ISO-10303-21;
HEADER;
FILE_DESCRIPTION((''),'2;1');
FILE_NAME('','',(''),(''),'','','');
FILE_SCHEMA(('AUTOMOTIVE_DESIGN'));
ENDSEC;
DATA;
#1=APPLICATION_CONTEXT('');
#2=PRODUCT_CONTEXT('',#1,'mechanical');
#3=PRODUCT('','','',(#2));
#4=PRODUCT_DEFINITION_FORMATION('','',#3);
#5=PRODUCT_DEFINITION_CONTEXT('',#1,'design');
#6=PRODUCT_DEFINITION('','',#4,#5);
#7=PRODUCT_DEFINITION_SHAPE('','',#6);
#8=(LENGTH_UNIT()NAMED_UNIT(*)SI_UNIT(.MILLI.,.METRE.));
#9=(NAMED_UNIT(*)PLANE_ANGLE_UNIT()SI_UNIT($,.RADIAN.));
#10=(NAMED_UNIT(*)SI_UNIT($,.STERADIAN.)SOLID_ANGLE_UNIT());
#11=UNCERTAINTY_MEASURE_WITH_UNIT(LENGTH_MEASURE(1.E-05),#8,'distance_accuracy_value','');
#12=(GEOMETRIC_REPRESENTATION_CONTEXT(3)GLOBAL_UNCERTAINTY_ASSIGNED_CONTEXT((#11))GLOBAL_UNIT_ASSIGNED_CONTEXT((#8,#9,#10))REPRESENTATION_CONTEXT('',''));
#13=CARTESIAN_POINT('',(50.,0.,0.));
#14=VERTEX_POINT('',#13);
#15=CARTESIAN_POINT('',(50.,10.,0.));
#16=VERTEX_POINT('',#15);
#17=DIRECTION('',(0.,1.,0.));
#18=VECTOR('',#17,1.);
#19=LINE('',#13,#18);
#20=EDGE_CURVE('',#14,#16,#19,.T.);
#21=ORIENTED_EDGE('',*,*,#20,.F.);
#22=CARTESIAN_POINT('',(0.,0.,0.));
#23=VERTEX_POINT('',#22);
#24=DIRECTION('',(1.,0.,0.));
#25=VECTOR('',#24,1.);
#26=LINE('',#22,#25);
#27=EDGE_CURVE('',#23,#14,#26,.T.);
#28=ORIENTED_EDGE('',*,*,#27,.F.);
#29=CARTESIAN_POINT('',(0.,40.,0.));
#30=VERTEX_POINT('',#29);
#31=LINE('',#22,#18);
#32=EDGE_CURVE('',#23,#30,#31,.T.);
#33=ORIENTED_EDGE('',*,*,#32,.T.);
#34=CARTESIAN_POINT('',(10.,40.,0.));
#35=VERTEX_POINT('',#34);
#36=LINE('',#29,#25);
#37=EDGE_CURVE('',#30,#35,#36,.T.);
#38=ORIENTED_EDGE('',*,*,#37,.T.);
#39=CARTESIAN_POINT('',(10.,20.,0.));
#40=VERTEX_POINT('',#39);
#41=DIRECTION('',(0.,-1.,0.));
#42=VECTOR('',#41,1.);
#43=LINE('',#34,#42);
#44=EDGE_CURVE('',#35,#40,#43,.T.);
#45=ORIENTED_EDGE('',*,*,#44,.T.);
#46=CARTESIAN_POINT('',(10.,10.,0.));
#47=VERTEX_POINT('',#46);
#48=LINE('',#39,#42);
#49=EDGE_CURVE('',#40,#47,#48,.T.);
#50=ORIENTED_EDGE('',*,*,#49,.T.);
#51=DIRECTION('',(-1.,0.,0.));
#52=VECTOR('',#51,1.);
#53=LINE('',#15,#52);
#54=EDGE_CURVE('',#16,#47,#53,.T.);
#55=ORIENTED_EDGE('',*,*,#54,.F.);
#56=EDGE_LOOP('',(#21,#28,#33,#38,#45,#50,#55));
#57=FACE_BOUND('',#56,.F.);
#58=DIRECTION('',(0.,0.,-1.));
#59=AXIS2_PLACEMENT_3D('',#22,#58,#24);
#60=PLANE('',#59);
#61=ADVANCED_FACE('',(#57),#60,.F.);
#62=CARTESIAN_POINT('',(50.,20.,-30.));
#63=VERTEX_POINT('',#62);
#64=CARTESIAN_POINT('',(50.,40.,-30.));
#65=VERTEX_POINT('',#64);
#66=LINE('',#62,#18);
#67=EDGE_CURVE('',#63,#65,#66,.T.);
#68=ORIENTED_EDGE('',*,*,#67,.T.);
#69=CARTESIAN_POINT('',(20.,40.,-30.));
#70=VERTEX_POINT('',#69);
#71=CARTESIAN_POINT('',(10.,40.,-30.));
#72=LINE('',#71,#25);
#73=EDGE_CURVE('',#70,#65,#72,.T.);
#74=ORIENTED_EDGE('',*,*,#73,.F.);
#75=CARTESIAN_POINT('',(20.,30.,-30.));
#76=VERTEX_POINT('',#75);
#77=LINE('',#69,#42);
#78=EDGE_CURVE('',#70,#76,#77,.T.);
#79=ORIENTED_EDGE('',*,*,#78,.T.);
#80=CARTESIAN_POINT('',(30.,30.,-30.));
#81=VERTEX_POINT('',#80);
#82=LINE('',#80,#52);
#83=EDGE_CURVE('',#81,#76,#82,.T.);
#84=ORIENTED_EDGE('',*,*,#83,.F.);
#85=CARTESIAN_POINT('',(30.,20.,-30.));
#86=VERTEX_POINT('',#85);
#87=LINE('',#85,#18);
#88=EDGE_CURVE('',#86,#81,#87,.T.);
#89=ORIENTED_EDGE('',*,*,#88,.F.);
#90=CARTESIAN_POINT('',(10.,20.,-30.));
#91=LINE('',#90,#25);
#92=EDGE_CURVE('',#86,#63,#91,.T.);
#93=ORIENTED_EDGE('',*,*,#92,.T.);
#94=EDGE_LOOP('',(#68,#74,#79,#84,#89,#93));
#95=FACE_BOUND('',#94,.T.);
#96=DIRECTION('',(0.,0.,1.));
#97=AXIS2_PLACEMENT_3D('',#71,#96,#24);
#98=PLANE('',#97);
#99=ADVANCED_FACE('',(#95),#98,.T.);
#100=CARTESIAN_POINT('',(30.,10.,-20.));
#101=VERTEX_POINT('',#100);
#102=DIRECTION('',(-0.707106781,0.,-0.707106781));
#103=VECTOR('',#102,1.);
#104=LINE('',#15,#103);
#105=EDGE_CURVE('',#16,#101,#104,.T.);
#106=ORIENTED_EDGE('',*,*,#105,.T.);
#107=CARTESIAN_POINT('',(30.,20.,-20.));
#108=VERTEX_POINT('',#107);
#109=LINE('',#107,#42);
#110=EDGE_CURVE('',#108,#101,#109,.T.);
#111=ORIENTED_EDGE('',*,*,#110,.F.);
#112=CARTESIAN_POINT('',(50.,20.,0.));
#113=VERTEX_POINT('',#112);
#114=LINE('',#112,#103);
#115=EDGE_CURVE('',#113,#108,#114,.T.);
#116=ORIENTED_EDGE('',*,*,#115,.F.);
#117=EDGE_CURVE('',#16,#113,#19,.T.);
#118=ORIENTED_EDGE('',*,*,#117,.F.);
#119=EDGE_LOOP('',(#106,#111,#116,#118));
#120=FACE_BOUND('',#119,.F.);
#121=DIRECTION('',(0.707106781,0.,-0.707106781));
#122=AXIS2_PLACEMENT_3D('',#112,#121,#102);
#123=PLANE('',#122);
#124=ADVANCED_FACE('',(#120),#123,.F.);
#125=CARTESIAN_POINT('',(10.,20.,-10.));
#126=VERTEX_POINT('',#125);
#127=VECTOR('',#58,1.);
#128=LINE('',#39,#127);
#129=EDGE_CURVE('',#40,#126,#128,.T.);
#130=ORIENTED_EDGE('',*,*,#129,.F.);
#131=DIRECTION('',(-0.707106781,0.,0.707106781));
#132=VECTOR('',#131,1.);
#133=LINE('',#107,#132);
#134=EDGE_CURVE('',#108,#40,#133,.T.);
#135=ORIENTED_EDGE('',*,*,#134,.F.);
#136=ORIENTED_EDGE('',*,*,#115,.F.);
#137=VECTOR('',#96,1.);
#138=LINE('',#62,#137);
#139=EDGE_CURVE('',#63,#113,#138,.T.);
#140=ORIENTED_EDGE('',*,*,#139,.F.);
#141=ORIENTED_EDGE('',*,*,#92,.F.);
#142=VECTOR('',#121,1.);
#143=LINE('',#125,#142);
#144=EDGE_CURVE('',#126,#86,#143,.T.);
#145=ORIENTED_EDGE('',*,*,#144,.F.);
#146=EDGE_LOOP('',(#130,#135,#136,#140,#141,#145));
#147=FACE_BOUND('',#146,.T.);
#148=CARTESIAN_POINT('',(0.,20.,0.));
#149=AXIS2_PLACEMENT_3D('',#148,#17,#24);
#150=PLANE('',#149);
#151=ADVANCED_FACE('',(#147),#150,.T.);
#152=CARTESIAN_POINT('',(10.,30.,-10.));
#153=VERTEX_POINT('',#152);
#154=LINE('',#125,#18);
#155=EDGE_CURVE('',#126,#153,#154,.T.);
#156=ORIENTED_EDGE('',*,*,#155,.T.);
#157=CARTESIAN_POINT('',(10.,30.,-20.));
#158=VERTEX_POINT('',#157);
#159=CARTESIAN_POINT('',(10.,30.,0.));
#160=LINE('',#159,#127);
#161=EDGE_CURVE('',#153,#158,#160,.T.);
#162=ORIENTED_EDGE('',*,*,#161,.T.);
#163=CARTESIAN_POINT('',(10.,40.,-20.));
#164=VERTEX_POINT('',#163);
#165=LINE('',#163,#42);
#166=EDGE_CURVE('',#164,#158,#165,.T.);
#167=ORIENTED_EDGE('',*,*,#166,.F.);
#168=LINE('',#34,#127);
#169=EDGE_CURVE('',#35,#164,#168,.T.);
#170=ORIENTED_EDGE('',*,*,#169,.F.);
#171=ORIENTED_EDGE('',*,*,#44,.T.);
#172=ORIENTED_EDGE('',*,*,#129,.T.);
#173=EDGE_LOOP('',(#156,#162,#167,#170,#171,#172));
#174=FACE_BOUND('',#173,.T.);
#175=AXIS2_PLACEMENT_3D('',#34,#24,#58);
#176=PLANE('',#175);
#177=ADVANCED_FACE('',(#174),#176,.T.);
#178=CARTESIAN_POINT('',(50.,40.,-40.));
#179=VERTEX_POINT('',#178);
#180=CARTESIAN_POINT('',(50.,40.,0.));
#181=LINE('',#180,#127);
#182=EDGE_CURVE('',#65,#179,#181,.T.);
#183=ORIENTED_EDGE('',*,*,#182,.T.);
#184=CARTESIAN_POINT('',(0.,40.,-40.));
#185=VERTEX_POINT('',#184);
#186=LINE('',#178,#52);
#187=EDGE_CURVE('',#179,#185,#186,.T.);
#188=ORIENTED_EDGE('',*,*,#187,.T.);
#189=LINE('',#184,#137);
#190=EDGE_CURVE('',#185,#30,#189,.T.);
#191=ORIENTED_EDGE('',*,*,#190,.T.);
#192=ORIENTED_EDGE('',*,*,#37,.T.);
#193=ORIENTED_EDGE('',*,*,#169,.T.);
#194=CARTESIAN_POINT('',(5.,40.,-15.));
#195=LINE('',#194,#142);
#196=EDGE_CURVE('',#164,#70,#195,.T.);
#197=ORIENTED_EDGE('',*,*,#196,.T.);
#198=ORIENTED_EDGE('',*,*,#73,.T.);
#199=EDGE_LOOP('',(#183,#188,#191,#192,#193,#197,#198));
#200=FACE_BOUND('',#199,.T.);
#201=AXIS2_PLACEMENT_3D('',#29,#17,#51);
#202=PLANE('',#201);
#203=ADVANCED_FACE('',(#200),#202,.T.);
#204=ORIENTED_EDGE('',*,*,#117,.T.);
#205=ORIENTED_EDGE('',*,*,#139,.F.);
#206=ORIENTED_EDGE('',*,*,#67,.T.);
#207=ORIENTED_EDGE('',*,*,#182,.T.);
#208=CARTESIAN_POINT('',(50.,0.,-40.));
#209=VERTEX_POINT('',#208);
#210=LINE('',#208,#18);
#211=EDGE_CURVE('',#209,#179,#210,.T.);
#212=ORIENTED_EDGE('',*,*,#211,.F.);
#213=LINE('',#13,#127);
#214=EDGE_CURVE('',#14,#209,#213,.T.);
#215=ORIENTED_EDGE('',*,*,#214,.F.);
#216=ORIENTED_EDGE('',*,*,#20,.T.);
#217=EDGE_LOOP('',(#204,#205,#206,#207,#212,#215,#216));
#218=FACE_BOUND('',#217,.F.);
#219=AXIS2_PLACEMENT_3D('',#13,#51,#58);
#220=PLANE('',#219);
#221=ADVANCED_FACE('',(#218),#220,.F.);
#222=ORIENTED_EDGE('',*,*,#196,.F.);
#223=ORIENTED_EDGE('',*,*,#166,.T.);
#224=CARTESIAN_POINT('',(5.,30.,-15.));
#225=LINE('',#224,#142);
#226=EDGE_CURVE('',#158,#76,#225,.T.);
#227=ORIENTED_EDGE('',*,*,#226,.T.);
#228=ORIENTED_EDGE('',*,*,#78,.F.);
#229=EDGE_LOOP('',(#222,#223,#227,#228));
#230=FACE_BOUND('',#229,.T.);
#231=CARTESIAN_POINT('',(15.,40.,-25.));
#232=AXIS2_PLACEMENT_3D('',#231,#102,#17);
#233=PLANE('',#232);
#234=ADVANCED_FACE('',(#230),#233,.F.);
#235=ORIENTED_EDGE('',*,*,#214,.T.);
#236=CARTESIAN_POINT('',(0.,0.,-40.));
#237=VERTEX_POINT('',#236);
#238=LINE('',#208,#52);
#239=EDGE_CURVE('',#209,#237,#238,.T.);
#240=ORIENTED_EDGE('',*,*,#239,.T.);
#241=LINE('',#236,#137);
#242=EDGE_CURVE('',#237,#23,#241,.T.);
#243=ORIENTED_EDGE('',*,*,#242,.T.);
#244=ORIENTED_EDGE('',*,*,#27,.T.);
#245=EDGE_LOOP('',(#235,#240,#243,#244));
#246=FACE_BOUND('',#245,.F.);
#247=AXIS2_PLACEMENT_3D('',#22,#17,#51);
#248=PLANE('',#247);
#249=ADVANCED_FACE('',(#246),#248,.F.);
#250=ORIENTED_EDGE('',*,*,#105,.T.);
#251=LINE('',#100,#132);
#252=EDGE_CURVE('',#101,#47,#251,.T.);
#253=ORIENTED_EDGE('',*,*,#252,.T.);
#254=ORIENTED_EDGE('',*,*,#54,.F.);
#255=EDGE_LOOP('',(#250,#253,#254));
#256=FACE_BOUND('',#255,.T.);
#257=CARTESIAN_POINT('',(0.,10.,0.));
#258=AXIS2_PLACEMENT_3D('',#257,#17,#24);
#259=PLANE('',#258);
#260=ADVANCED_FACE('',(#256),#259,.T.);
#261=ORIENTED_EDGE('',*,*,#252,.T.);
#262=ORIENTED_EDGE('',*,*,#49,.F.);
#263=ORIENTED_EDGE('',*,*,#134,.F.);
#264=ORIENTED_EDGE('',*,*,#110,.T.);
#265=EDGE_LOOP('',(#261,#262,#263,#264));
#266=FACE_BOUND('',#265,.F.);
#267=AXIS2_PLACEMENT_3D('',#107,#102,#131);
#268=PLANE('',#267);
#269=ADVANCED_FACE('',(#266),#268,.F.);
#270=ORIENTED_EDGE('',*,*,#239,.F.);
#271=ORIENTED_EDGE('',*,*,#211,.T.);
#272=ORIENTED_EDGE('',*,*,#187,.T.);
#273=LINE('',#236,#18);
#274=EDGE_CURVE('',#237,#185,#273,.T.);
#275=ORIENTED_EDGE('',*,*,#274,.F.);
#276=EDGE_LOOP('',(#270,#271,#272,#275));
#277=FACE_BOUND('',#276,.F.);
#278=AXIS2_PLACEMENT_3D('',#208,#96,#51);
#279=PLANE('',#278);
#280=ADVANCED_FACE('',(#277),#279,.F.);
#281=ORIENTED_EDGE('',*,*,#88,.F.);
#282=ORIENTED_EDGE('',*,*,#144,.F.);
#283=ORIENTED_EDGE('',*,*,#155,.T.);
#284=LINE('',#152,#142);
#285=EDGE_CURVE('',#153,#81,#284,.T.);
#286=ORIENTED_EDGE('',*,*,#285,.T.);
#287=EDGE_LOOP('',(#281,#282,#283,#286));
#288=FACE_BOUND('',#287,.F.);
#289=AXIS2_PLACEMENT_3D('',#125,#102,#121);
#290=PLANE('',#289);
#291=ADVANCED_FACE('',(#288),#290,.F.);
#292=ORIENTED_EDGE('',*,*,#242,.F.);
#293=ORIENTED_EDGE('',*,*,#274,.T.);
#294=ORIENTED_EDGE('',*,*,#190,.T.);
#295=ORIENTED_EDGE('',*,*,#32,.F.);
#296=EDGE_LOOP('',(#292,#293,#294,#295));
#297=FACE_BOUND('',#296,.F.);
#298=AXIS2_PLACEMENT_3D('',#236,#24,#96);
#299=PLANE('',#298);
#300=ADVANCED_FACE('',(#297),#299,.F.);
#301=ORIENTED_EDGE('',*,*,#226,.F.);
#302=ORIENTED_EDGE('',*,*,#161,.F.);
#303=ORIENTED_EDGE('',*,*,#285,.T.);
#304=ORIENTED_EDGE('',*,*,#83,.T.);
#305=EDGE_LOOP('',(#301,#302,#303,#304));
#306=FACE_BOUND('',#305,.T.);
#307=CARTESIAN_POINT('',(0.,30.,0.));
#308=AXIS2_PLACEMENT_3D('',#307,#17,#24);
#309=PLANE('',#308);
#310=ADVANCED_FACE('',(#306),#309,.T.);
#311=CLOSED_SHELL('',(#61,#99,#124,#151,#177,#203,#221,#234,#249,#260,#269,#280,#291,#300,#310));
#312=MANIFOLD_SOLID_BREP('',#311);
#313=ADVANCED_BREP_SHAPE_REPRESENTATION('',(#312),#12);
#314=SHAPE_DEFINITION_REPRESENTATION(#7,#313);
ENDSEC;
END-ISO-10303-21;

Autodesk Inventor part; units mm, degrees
ref_plane "YZ Plane" through (0, 0, 0) normal (1, 0, 0) x (0, 1, 0)
ref_plane "XZ Plane" through (0, 0, 0) normal (0, 1, 0) x (-1, 0, 0)
ref_plane "XY Plane" through (0, 0, 0) normal (0, 0, 1) x (1, 0, 0)
sketch "草圖1" plane through (0, 0, 0) normal (0, 1, 0) x (-1, 0, 0)
  line L0 (0, 0) -> (-50, 0)
  line L1 (-50, 0) -> (-50, -40)
  line L2 (-50, -40) -> (0, -40)
  line L3 (0, -40) -> (0, 0)
  dimension "d0" = 50
  dimension "d1" = 40
extrude "擠出1" add sketch "草圖1" along normal blind 40
sketch "草圖2" plane through (0, 40, 0) normal (0, 1, 0) x (1, 0, 0)
  line L0 (0, 0) -> (50, 0) projected
  line L1 (50, 0) -> (10, 0)
  line L2 (10, 0) -> (10, 30)
  line L3 (10, 30) -> (50, 30)
  line L4 (50, 30) -> (50, 0)
  dimension "d4" = 40
  dimension "d5" = 30
extrude "擠出2" cut sketch "草圖2" against normal blind 10
chamfer "倒角1" distance 10 angle 45 1 edges at (10, 35, -30)
sketch "草圖3" plane through (0, 30, 0) normal (0, 1, 0) x (1, 0, 0)
  line L0 (50, 30) -> (50, 0) projected
  line L1 (50, 0) -> (10, 0)
  line L2 (10, 0) -> (10, 30)
  line L3 (10, 30) -> (50, 30)
  line L4 (50, 30) -> (50, 0)
  point P0 (0, 0)
extrude "擠出3" cut sketch "草圖3" against normal blind 10
sketch "草圖4" plane through (0, 20, 0) normal (0, 1, 0) x (1, 0, 0)
  line L0 (50, 0) -> (10, 0) projected
  line L1 (50, 0) -> (30, 20)
  line L2 (0, 0) -> (10, 0) projected
  line L3 (30, 20) -> (10, 0)
  dimension "d16" = 45
extrude "擠出4" cut sketch "草圖4" against normal blind 10
sketch "草圖5" plane through (0, 20, 0) normal (0, 1, 0) x (1, 0, 0)
  line L0 (10, 0) -> (10, 30) projected
  line L1 (10, 10) -> (30, 30)
  line L2 (30, 30) -> (10, 30)
  line L3 (10, 30) -> (10, 10)
  point P0 (0, 0)
  dimension "d19" = 20
  dimension "d20" = 20
extrude "擠出5" add sketch "草圖5" along normal blind 10
properties part number "19"
